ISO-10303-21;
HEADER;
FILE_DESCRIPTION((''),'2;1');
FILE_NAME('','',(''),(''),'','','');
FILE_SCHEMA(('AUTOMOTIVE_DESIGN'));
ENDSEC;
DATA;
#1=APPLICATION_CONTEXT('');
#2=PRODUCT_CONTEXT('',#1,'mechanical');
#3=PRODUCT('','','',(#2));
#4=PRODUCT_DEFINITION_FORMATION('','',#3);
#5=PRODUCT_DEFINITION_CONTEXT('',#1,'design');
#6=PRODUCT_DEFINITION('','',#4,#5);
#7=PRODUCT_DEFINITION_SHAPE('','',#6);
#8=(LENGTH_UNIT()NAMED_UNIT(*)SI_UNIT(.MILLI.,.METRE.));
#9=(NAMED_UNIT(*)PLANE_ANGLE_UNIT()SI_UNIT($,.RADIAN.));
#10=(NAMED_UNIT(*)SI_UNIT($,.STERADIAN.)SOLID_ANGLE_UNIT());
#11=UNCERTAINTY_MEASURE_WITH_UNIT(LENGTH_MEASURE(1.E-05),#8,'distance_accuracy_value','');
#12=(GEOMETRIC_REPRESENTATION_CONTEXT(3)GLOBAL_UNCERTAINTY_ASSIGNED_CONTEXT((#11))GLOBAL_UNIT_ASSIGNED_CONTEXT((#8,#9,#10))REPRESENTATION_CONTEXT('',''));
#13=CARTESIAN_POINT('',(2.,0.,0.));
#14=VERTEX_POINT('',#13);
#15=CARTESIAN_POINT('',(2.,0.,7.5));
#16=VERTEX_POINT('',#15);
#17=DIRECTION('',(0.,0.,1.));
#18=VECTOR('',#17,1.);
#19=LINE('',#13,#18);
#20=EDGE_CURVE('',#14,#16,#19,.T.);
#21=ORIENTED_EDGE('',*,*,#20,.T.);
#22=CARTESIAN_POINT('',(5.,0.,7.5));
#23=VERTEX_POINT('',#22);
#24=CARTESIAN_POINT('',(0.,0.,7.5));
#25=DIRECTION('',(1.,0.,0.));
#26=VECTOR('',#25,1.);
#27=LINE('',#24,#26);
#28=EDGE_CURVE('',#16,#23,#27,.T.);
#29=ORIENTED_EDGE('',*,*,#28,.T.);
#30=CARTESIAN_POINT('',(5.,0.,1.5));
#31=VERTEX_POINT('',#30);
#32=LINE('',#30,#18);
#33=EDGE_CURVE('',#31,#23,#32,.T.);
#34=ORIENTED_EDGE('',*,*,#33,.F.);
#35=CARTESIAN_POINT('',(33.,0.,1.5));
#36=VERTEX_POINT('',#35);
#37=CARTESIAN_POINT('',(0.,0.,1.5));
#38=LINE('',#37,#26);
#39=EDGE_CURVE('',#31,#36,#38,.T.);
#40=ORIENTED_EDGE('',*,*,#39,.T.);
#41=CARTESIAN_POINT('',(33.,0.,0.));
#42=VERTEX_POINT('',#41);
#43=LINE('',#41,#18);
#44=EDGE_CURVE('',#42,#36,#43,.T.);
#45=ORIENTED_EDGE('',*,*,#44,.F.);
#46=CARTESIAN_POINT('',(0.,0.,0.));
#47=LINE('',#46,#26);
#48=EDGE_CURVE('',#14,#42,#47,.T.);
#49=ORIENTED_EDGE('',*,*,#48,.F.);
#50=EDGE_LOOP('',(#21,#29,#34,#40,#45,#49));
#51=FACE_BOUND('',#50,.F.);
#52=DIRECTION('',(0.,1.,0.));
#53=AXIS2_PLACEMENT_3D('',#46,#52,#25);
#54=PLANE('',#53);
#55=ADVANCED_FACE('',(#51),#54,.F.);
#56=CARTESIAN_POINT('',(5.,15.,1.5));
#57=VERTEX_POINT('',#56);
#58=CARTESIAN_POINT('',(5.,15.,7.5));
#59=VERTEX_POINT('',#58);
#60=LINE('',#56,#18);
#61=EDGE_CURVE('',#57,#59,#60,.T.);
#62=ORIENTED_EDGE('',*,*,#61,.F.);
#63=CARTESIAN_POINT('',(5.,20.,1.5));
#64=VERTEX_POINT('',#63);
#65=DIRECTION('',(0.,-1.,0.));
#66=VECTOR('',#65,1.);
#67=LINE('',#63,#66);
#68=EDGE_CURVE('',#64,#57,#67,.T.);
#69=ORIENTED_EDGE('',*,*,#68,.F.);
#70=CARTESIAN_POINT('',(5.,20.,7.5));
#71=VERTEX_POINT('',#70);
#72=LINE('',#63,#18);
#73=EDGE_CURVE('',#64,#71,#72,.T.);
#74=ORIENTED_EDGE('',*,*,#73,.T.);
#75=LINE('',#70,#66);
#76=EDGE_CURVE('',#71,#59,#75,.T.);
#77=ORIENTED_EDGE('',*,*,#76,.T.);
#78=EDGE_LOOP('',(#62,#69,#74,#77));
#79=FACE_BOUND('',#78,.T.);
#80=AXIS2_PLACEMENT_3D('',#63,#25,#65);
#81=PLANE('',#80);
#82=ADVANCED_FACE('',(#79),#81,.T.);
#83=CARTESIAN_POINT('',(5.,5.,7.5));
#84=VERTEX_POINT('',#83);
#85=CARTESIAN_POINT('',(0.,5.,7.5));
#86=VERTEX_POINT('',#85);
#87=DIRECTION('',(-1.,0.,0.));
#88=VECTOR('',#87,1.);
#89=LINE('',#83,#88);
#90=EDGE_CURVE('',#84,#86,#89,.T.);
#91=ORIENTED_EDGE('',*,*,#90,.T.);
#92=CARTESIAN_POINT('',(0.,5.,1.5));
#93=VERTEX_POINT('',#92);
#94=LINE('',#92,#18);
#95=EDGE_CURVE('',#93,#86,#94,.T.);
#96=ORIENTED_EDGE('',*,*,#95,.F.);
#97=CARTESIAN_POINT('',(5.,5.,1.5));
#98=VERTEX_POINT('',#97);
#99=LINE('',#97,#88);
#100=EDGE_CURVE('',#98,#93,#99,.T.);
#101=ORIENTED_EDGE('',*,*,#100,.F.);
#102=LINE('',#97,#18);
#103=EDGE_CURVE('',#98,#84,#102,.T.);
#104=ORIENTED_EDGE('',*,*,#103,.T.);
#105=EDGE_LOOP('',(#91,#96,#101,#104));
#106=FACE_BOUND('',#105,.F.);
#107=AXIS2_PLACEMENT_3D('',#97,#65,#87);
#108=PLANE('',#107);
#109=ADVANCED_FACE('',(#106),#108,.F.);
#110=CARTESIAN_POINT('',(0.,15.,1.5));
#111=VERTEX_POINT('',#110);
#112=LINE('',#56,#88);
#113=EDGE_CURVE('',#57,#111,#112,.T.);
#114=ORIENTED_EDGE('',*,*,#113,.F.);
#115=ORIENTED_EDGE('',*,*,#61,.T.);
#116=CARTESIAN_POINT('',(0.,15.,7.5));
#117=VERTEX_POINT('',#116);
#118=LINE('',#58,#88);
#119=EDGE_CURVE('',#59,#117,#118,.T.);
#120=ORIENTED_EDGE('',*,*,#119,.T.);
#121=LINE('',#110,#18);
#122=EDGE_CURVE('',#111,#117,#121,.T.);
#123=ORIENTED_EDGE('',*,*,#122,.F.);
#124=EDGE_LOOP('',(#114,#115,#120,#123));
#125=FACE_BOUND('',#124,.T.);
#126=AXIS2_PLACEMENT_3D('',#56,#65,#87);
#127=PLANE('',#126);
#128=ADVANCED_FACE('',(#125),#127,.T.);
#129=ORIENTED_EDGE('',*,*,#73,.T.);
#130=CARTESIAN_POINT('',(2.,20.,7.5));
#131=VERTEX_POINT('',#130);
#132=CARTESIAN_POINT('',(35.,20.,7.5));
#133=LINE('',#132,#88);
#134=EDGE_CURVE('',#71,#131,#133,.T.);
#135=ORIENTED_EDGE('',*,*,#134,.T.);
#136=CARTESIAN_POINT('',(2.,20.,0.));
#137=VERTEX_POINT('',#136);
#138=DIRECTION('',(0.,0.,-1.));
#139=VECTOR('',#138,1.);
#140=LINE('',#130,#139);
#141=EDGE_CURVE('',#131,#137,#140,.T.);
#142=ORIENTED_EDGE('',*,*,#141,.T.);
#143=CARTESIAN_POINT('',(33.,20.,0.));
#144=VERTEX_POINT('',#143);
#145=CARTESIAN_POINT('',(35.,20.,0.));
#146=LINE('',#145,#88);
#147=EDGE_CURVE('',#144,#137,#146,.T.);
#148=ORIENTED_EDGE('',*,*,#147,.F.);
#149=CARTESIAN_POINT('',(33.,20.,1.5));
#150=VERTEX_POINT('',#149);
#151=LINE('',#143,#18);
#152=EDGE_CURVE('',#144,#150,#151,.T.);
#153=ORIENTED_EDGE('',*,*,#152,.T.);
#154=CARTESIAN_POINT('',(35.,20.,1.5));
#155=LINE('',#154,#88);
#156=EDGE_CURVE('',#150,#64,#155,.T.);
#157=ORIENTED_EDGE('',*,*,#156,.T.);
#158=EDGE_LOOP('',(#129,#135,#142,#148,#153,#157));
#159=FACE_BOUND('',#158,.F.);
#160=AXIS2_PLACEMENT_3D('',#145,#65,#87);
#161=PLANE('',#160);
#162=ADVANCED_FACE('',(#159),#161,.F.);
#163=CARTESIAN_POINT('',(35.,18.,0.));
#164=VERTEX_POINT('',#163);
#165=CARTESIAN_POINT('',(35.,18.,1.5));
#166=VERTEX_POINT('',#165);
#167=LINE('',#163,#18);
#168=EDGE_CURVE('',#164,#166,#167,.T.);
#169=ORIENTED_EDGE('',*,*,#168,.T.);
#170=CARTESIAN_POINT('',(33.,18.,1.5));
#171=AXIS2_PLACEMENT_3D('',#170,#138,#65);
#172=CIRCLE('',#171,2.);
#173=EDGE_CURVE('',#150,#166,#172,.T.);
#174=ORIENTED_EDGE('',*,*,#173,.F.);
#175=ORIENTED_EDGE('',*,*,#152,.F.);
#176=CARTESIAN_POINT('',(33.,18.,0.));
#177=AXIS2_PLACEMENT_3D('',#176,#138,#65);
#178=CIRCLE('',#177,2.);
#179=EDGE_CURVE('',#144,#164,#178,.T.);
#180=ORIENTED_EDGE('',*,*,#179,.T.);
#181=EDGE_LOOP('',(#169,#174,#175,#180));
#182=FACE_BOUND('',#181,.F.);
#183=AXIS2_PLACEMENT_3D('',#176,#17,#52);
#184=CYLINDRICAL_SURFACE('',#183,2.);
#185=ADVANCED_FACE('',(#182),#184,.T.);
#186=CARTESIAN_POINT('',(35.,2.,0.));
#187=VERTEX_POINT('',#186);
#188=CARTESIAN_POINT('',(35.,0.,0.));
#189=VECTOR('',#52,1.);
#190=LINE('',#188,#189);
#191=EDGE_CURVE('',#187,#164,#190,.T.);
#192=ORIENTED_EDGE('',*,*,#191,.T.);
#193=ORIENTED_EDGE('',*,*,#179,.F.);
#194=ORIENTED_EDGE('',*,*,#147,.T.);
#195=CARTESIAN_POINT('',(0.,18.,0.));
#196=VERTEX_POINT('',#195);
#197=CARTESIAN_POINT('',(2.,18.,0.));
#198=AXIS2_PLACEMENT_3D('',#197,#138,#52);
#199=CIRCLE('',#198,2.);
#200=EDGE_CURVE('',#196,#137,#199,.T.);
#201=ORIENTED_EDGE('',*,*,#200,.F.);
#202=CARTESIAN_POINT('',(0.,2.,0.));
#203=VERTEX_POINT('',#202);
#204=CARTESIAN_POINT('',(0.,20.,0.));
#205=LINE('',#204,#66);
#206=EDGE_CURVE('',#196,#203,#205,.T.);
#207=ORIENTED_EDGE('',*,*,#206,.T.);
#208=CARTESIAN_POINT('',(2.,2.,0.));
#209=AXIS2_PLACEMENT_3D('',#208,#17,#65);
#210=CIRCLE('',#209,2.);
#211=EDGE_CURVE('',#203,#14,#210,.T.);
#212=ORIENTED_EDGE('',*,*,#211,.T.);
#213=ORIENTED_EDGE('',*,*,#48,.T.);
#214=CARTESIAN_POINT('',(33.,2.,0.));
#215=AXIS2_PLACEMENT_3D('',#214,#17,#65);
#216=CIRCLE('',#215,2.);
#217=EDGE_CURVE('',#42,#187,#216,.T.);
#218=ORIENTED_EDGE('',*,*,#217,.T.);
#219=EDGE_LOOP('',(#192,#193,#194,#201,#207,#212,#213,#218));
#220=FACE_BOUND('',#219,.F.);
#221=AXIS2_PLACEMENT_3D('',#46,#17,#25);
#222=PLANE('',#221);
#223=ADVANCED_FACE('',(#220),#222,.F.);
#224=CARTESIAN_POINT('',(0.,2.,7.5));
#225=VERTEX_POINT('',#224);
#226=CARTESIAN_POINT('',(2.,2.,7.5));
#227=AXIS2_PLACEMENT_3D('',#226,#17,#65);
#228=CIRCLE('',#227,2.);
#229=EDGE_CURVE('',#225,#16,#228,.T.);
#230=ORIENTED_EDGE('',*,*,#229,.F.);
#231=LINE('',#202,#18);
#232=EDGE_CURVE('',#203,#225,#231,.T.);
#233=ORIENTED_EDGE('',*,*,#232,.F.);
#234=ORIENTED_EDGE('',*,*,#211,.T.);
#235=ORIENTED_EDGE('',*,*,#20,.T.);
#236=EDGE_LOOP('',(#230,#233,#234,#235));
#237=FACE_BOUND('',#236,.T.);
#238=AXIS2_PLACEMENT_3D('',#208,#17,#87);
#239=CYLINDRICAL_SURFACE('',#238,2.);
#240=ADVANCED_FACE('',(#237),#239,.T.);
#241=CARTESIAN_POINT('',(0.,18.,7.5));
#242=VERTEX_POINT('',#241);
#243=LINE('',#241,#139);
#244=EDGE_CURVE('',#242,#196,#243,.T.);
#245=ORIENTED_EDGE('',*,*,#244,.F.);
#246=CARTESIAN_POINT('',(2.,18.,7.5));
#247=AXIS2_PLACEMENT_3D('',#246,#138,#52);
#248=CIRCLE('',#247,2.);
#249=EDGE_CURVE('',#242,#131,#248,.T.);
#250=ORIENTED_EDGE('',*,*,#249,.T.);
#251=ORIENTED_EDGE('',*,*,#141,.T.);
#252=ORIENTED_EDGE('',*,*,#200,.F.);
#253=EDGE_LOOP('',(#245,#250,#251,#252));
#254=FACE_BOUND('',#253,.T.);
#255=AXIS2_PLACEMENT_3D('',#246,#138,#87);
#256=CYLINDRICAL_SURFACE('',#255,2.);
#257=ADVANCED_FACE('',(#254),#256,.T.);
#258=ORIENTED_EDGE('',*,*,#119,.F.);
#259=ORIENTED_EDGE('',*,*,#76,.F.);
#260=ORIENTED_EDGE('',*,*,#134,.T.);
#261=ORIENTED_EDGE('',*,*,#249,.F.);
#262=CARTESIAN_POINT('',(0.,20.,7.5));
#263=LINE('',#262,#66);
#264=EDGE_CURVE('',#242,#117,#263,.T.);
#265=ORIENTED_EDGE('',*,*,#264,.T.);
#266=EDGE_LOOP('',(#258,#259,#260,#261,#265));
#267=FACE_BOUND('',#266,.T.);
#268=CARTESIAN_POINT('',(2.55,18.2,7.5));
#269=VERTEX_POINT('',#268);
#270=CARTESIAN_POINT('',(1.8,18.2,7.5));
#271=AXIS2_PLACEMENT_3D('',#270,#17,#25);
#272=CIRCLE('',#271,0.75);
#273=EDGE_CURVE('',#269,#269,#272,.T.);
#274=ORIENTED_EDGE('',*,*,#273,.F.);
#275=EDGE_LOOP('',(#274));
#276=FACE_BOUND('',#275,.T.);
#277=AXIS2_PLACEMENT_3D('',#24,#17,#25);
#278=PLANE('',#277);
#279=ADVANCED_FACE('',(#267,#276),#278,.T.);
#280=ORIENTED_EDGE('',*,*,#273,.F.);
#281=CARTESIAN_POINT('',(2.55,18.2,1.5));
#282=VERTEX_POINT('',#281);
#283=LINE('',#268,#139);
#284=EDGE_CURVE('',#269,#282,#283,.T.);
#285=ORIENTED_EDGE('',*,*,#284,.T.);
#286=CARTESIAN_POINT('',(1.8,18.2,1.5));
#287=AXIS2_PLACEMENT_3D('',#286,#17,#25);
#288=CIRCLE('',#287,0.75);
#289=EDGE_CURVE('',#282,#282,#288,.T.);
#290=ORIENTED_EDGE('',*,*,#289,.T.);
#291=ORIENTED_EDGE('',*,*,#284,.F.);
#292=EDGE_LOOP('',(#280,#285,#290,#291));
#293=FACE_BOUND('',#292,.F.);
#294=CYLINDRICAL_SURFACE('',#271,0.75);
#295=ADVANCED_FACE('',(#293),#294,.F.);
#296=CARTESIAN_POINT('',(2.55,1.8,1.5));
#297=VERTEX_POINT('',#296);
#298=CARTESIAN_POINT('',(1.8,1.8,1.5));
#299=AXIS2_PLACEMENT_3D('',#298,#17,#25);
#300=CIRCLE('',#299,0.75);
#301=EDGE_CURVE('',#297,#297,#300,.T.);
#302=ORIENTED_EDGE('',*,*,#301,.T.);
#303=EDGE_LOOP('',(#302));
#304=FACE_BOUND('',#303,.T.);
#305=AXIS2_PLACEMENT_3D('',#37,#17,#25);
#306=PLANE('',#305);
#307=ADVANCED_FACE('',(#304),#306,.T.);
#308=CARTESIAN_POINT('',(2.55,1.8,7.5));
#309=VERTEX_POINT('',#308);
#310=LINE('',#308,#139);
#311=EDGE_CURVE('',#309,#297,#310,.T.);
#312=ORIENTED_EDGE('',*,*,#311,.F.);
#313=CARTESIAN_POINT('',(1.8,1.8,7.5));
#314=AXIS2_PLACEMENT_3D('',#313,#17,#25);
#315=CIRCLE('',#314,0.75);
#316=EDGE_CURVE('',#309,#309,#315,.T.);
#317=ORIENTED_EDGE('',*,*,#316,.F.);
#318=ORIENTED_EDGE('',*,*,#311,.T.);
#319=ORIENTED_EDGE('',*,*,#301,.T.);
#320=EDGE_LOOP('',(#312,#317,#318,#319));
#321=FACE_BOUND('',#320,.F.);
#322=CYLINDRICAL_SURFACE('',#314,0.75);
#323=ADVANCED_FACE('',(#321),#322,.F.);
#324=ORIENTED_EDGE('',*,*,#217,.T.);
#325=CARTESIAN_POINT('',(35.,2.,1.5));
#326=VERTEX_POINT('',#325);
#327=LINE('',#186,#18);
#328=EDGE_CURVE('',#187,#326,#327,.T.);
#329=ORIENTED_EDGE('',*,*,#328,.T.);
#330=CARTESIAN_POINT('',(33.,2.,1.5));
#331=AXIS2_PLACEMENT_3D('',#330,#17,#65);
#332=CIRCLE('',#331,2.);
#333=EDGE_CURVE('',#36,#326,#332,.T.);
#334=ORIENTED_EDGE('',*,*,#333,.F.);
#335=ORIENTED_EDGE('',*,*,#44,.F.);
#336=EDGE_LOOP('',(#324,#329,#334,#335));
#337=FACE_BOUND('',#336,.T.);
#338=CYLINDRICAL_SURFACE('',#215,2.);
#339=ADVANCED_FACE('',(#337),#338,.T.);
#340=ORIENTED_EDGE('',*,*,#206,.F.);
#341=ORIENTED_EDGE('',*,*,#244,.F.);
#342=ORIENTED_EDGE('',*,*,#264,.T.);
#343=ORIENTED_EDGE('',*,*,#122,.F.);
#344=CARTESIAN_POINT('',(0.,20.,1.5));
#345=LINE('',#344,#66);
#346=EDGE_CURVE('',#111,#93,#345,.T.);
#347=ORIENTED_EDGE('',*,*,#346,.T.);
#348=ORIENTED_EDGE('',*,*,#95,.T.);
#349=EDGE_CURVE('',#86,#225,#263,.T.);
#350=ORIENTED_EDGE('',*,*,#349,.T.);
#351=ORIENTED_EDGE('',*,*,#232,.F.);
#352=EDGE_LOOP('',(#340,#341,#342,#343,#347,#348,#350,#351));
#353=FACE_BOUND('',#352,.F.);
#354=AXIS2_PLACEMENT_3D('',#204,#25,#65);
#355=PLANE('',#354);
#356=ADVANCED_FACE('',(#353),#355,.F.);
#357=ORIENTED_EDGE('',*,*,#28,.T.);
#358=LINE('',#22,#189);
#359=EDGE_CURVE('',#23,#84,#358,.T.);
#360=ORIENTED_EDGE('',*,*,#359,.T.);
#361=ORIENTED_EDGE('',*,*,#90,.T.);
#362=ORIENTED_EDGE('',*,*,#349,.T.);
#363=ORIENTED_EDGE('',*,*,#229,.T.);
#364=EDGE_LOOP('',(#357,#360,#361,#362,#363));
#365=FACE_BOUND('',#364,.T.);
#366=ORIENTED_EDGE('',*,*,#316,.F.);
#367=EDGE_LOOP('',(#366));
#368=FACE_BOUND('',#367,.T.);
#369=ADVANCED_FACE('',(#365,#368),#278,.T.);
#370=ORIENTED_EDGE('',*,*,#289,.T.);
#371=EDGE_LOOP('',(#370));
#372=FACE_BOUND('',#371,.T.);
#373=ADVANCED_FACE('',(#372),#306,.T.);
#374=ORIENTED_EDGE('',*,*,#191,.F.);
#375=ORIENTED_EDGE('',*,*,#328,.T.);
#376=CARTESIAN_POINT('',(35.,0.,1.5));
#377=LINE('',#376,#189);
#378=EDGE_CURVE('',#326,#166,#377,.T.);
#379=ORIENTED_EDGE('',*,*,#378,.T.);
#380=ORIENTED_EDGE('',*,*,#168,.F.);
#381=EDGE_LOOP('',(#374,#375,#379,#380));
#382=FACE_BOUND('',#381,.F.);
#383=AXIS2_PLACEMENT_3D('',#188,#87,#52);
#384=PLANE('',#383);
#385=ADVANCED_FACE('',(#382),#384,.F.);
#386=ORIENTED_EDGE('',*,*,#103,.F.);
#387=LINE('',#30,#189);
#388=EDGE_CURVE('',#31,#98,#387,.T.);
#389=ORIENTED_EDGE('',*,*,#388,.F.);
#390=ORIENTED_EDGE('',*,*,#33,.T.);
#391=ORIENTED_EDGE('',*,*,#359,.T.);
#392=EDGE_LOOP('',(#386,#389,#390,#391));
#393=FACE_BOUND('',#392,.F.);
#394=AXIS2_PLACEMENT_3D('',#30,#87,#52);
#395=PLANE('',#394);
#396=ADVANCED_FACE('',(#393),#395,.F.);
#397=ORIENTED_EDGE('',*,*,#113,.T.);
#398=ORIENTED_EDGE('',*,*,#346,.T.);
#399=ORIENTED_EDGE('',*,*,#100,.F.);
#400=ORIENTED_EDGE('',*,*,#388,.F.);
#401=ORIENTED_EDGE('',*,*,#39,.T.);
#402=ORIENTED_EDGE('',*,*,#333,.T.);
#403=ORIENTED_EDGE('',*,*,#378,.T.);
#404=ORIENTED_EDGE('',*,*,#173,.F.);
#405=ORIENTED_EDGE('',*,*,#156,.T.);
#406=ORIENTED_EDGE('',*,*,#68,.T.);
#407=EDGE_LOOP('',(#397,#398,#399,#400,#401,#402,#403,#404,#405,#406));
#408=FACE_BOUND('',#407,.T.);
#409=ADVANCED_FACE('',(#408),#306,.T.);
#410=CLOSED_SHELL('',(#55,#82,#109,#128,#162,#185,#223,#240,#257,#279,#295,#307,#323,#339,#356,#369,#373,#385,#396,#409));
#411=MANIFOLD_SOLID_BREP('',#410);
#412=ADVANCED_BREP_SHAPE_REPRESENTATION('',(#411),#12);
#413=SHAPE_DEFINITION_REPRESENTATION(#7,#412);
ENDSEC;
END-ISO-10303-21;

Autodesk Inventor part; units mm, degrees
ref_plane "YZ Plane" through (0, 0, 0) normal (1, 0, 0) x (0, 1, 0)
ref_plane "XZ Plane" through (0, 0, 0) normal (0, 1, 0) x (-1, 0, 0)
ref_plane "XY Plane" through (0, 0, 0) normal (0, 0, 1) x (1, 0, 0)
sketch "Эскиз1" plane through (0, 0, 0) normal (0, 0, 1) x (1, 0, 0)
  line L0 (0, 0) -> (35, 0)
  line L1 (35, 0) -> (35, 20)
  line L2 (35, 20) -> (0, 20)
  line L3 (0, 20) -> (0, 0)
  dimension "d0" = 35
  dimension "d1" = 20
extrude "Выдавливание1" add sketch "Эскиз1" along normal blind 1.5
sketch "Эскиз2" plane through (0, 0, 1.5) normal (0, 0, 1) x (1, 0, 0)
  line L0 (0, 20) -> (0, 0) projected
  line L1 (0, 0) -> (5, 0)
  line L2 (5, 0) -> (5, 5)
  line L3 (5, 5) -> (0, 5)
  line L4 (0, 5) -> (0, 0)
  line L5 (35, 20) -> (0, 20) projected
  line L6 (0, 20) -> (5, 20)
  line L7 (5, 20) -> (5, 15)
  line L8 (5, 15) -> (0, 15)
  line L9 (0, 15) -> (0, 20)
  dimension "d4" = 5
  dimension "d5" = 5
  dimension "d6" = 5
  dimension "d7" = 5
extrude "Выдавливание2" add sketch "Эскиз2" along normal blind 6
sketch "Эскиз3" plane through (0, 0, 7.5) normal (0, 0, 1) x (1, 0, 0)
  circle A0 centre (1.8, 1.8) radius 0.75
  circle A1 centre (1.8, 18.2) radius 0.75
  line L0 (0, 0) -> (5, 0) projected
  line L1 (0, 5) -> (0, 0) projected
  line L2 (0, 20) -> (0, 15) projected
  line L3 (5, 20) -> (0, 20) projected
  dimension "d10" = 1.5
  dimension "d11" = 1.5
  dimension "d12" = 1.8
  dimension "d13" = 1.8
  dimension "d14" = 1.8
  dimension "d15" = 1.8
extrude "Выдавливание3" cut sketch "Эскиз3" against normal blind 6
fillet "Сопряжение1" radius 2 4 edges at (0, 0, 3.75) (0, 20, 3.75) (35, 20, 0.75) (35, 0, 0.75)
properties part number "RDC1-0014_Holder"
